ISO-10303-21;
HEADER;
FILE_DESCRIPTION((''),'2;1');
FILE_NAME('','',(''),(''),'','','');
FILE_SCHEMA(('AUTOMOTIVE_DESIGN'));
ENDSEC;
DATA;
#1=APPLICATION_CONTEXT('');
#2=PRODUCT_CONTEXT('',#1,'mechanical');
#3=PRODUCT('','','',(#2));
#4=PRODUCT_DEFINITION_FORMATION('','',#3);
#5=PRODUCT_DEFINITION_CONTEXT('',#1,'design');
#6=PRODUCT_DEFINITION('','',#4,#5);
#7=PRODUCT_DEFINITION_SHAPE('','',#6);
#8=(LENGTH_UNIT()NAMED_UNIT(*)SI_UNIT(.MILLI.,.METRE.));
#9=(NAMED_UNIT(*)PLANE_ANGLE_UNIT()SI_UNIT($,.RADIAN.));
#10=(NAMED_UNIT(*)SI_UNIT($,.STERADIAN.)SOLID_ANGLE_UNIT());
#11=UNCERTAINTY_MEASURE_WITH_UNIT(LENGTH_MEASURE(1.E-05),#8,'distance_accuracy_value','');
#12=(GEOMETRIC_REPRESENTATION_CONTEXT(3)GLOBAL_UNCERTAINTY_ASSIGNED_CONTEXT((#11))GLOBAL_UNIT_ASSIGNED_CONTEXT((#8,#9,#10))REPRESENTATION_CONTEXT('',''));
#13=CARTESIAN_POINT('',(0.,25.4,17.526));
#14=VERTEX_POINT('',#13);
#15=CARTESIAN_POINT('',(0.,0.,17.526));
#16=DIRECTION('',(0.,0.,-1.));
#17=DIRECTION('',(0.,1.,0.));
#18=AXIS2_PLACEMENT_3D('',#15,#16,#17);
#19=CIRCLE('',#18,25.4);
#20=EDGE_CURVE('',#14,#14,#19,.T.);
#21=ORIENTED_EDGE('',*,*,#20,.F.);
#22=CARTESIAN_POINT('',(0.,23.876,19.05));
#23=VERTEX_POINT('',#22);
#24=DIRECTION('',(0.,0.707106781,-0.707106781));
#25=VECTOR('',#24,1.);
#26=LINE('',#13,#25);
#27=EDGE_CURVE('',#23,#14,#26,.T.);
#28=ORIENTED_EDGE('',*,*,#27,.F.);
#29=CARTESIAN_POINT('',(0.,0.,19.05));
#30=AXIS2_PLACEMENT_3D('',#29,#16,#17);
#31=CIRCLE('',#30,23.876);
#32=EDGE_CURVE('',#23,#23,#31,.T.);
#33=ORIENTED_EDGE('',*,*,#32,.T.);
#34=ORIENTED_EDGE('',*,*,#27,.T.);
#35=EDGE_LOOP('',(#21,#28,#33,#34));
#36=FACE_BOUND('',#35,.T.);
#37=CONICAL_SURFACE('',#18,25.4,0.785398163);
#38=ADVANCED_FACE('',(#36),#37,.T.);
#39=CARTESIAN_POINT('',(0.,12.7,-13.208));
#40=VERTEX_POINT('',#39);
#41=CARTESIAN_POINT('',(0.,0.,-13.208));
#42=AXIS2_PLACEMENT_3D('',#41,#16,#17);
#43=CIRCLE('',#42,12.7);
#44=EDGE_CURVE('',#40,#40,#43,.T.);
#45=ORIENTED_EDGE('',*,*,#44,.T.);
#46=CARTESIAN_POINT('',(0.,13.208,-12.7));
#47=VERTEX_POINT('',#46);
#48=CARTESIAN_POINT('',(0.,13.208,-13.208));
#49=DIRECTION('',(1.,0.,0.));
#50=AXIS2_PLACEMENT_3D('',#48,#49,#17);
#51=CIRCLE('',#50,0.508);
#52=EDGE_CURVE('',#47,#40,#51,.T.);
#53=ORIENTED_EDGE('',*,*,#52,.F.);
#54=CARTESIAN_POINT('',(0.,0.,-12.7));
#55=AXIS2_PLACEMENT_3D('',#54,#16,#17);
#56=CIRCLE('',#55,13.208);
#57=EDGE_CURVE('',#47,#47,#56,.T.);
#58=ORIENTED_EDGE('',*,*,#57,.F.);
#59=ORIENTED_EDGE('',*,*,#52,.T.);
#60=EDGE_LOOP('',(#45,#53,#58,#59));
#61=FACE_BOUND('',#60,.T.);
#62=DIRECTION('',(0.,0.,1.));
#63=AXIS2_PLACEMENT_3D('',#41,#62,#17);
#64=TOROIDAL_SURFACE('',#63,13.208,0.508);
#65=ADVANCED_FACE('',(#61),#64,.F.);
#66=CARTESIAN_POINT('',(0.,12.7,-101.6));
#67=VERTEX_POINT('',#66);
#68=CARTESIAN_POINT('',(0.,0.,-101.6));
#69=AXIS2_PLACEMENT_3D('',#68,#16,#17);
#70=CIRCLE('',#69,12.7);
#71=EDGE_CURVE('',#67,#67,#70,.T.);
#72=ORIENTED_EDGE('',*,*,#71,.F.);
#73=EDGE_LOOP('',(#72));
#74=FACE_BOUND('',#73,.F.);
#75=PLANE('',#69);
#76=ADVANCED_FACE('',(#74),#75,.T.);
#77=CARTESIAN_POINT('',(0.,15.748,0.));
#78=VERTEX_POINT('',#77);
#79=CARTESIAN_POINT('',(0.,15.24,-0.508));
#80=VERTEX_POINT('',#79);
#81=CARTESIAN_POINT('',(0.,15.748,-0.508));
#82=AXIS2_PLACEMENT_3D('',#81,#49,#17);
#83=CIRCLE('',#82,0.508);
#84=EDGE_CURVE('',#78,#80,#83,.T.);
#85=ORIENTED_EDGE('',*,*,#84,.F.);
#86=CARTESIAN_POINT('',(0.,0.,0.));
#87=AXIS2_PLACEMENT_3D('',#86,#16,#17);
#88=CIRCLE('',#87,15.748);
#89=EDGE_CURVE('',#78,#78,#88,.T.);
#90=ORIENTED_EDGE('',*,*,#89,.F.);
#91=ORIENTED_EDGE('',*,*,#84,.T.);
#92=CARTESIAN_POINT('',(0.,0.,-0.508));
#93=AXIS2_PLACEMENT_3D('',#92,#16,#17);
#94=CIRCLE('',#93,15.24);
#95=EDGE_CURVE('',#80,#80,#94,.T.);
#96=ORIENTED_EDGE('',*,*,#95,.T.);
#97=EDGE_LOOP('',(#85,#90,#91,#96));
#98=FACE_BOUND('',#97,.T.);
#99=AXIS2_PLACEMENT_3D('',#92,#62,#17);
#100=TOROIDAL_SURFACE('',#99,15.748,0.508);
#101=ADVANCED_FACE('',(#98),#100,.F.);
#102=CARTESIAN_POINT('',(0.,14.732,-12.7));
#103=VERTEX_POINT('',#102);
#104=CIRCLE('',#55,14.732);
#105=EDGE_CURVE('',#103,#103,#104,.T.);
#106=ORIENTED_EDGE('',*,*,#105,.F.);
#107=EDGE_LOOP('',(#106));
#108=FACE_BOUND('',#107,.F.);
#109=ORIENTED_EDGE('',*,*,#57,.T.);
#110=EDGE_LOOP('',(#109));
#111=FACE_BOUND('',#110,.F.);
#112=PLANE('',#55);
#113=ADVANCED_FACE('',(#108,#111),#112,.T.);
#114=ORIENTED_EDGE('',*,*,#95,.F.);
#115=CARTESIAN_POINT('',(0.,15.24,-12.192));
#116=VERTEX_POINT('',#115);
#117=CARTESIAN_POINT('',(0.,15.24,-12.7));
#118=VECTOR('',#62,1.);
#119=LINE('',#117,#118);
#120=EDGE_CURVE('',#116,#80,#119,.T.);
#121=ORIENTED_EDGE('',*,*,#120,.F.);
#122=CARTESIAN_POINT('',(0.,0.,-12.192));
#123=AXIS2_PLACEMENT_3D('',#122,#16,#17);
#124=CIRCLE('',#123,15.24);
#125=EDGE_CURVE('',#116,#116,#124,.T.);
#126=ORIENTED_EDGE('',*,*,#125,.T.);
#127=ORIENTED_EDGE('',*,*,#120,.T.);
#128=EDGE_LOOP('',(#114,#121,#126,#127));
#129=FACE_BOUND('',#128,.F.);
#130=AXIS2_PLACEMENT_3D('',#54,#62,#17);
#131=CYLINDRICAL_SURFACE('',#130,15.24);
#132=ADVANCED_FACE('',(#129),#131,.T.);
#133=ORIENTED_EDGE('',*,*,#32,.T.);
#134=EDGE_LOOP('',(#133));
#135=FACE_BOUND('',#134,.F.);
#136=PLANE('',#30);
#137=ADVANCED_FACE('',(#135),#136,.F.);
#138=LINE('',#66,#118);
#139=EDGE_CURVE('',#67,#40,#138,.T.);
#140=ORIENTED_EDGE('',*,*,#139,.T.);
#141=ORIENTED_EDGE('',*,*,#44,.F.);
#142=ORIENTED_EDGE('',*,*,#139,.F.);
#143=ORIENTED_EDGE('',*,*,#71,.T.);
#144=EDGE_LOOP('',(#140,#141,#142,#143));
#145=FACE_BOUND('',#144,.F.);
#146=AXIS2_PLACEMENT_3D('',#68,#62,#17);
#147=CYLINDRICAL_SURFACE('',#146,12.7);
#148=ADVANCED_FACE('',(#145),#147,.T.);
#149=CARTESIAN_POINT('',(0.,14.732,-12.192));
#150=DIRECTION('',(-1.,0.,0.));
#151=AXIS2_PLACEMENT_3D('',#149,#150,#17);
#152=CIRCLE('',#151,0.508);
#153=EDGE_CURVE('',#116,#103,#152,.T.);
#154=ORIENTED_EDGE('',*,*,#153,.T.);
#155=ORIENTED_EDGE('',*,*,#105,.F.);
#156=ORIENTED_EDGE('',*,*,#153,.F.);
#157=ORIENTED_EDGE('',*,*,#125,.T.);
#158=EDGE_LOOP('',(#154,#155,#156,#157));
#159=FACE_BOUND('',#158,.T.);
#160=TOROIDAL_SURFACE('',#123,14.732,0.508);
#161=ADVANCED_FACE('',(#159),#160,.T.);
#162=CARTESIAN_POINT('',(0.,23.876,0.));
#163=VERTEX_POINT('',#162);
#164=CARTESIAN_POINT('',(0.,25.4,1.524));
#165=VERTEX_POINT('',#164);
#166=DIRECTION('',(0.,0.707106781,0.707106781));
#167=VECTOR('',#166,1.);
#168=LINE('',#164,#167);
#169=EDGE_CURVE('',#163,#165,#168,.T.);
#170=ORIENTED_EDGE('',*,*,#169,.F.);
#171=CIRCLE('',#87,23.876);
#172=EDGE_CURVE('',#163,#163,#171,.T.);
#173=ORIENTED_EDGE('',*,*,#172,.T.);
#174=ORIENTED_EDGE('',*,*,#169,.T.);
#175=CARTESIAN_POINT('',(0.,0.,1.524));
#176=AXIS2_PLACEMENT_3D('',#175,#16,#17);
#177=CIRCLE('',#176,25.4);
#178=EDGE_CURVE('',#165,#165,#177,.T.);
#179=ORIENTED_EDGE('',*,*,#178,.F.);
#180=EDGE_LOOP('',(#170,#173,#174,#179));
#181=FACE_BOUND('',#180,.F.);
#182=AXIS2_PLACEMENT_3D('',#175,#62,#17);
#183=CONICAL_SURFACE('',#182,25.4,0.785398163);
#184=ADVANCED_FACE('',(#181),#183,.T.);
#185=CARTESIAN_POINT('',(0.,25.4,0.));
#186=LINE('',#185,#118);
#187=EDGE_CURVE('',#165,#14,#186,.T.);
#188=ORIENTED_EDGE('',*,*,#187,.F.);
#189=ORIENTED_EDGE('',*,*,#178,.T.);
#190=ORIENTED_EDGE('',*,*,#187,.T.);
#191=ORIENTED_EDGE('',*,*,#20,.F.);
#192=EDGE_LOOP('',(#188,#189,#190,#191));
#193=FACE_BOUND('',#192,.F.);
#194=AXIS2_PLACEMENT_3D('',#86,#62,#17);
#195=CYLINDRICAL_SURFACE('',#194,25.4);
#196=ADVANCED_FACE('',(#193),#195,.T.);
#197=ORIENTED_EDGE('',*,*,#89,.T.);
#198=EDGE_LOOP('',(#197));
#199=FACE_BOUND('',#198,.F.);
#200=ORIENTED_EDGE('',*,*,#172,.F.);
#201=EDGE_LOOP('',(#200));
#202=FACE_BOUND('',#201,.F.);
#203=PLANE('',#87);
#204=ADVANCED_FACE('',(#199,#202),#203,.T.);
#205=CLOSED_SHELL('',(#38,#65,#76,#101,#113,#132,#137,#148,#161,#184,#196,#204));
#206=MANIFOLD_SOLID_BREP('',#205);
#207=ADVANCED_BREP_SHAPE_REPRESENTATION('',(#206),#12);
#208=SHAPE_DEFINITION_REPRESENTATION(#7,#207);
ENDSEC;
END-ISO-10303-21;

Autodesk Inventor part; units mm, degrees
ref_plane "YZ Plane" through (0, 0, 0) normal (1, 0, 0) x (0, 1, 0)
ref_plane "XZ Plane" through (0, 0, 0) normal (0, 1, 0) x (-1, 0, 0)
ref_plane "XY Plane" through (0, 0, 0) normal (0, 0, 1) x (1, 0, 0)
sketch "Sketch1" plane through (0, 0, 0) normal (1, 0, 0) x (0, 1, 0)
  line L0 (25.4, 0) -> (25.4, 19.05)
  line L1 (25.4, 19.05) -> (0, 19.05)
  line L2 (0, 19.05) -> (0, -101.6)
  line L3 (0, -101.6) -> (12.7, -101.6)
  line L4 (12.7, -101.6) -> (12.7, -12.7)
  line L5 (12.7, -12.7) -> (15.24, -12.7)
  line L6 (15.24, -12.7) -> (15.24, 0)
  line L7 (15.24, 0) -> (25.4, 0)
  point P0 (0, 0)
  dimension "d10" = 0.508
  dimension "d0" = 19.05
  dimension "d1" = 25.4
  dimension "d2" = 12.7
  dimension "d3" = 15.24
  dimension "d4" = 120.65
  dimension "d5" = 88.9
revolve "Revolution1" add sketch "Sketch1" angle 360 about axis through (0, 0, 19.05) along (0, 0, -1)
chamfer "Chamfer1" distance 1.524 angle 45 2 edges at (0, -25.4, 19.05) (0, -25.4, 0)
fillet "Fillet1" radius 0.508 3 edges at (0, -15.24, 0) (0, -15.24, -12.7) (0, -12.7, -12.7)
properties part number "Shoulder Screw"
